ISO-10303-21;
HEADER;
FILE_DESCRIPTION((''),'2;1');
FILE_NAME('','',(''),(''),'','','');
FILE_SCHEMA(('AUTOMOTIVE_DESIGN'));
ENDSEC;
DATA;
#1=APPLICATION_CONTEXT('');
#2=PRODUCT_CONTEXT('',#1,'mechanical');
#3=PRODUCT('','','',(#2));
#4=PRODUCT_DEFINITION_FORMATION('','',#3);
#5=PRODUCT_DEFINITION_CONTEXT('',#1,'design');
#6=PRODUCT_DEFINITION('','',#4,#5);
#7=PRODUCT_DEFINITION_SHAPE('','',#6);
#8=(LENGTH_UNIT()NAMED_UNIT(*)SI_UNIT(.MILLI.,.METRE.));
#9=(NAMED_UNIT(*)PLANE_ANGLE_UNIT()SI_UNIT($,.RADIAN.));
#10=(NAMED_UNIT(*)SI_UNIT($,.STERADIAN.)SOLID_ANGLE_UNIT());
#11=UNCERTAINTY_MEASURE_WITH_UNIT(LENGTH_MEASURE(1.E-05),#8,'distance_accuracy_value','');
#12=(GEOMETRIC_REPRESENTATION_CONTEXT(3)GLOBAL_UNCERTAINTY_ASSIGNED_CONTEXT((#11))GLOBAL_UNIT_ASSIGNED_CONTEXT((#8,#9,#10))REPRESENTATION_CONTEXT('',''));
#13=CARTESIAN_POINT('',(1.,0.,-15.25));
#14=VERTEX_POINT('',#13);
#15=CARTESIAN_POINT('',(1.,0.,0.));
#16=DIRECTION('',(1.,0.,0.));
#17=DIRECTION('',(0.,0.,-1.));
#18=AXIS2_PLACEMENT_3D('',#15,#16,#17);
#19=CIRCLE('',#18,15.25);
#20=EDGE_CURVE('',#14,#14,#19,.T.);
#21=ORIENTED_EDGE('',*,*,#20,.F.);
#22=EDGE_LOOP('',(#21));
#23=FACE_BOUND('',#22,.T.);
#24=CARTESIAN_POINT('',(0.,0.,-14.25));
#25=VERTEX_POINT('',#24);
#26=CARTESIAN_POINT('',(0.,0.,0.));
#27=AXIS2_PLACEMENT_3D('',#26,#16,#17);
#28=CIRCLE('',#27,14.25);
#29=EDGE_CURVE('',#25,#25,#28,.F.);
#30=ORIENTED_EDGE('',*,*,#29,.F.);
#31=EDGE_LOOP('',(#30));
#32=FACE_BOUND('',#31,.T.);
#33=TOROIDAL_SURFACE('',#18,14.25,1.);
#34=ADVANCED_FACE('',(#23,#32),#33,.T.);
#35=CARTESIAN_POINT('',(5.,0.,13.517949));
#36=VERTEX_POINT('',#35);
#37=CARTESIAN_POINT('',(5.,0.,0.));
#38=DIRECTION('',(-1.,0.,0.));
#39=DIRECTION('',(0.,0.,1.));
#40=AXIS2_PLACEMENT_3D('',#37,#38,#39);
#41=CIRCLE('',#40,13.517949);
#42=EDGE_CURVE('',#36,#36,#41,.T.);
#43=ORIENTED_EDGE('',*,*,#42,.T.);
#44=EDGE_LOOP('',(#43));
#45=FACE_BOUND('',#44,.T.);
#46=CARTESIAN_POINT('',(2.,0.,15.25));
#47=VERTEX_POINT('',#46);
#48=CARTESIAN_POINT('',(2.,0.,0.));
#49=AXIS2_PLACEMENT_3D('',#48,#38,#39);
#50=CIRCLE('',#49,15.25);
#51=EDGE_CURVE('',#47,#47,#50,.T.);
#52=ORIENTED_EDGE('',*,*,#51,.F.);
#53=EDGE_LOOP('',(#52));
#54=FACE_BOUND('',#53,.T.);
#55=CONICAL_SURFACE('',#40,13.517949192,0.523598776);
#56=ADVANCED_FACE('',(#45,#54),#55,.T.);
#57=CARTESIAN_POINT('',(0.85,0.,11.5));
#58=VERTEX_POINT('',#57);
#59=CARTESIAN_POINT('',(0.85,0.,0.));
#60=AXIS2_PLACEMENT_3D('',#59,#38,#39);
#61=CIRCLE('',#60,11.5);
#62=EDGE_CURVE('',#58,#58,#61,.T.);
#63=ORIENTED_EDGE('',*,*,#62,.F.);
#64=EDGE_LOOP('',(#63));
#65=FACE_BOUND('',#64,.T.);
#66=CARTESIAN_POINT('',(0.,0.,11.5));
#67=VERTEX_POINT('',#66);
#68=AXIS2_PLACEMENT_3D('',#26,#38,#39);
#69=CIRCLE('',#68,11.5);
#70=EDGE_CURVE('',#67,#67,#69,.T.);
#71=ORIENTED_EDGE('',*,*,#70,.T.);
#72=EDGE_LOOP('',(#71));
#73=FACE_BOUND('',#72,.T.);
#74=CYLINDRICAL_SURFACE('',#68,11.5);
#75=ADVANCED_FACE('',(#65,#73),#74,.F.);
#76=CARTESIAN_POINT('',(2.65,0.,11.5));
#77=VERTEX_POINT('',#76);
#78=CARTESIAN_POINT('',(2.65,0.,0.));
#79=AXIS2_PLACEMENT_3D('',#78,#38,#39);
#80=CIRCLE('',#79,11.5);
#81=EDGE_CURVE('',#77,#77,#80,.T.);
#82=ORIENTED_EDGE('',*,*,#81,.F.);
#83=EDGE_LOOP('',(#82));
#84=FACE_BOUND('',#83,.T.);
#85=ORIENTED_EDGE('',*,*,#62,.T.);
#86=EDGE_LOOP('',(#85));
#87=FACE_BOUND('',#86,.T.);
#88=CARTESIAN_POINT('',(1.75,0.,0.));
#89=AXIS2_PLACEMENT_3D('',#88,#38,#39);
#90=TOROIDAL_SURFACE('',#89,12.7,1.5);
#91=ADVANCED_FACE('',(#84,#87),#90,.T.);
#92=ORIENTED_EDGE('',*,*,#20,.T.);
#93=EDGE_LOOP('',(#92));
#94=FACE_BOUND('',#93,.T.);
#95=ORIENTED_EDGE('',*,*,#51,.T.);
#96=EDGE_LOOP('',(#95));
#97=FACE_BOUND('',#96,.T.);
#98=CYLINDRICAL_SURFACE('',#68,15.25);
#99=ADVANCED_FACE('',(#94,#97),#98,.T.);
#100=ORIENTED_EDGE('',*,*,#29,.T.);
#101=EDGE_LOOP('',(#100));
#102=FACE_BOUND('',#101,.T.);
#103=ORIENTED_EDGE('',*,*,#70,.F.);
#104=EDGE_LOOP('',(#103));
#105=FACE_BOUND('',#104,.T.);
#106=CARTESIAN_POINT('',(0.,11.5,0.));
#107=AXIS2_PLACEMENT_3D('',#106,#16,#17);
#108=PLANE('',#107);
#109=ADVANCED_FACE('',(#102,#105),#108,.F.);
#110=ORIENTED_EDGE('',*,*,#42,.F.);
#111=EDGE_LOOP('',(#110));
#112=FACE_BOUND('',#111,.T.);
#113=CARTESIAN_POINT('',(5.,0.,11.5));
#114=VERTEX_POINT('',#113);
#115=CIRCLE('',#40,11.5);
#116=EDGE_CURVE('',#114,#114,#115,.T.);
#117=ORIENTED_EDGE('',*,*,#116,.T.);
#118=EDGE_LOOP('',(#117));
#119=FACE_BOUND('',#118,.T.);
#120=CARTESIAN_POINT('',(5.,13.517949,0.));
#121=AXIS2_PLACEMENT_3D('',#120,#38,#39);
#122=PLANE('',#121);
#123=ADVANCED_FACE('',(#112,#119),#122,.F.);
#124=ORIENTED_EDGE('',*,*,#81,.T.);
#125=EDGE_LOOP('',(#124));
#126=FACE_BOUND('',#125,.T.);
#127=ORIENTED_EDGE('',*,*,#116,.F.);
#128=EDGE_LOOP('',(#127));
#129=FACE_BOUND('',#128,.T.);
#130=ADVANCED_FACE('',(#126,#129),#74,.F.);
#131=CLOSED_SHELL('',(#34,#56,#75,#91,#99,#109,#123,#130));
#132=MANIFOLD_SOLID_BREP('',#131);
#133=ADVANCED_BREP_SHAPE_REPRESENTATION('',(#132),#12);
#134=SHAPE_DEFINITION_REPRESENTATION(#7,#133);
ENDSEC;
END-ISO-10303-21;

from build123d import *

# Parameters (mm, degrees)
FILLET1_R = 1


with BuildPart() as part:
    # Sketch1 → Revolve1 (revolve)
    with BuildSketch(Plane.XY):
        with BuildLine():
            Line((0, 11.5), (0, 15.25))
            Line((0, 15.25), (2, 15.25))
            Line((2, 15.25), (5, 13.517949192))
            Line((5, 13.517949192), (5, 11.5))
            Line((5, 11.5), (2.65, 11.5))
            ThreePointArc((2.65, 11.5), (1.75, 11.2), (0.85, 11.5))
            Line((0.85, 11.5), (0, 11.5))
        make_face()
    revolve(axis=Axis((0, 0, 0), (1, 0, 0)))

    # Fillet1
    fillet1_edges = [part.edges().sort_by_distance(p)[0] for p in [
        (0, -15.25, 0),
    ]]
    fillet(fillet1_edges, radius=FILLET1_R)


solid = part.part
